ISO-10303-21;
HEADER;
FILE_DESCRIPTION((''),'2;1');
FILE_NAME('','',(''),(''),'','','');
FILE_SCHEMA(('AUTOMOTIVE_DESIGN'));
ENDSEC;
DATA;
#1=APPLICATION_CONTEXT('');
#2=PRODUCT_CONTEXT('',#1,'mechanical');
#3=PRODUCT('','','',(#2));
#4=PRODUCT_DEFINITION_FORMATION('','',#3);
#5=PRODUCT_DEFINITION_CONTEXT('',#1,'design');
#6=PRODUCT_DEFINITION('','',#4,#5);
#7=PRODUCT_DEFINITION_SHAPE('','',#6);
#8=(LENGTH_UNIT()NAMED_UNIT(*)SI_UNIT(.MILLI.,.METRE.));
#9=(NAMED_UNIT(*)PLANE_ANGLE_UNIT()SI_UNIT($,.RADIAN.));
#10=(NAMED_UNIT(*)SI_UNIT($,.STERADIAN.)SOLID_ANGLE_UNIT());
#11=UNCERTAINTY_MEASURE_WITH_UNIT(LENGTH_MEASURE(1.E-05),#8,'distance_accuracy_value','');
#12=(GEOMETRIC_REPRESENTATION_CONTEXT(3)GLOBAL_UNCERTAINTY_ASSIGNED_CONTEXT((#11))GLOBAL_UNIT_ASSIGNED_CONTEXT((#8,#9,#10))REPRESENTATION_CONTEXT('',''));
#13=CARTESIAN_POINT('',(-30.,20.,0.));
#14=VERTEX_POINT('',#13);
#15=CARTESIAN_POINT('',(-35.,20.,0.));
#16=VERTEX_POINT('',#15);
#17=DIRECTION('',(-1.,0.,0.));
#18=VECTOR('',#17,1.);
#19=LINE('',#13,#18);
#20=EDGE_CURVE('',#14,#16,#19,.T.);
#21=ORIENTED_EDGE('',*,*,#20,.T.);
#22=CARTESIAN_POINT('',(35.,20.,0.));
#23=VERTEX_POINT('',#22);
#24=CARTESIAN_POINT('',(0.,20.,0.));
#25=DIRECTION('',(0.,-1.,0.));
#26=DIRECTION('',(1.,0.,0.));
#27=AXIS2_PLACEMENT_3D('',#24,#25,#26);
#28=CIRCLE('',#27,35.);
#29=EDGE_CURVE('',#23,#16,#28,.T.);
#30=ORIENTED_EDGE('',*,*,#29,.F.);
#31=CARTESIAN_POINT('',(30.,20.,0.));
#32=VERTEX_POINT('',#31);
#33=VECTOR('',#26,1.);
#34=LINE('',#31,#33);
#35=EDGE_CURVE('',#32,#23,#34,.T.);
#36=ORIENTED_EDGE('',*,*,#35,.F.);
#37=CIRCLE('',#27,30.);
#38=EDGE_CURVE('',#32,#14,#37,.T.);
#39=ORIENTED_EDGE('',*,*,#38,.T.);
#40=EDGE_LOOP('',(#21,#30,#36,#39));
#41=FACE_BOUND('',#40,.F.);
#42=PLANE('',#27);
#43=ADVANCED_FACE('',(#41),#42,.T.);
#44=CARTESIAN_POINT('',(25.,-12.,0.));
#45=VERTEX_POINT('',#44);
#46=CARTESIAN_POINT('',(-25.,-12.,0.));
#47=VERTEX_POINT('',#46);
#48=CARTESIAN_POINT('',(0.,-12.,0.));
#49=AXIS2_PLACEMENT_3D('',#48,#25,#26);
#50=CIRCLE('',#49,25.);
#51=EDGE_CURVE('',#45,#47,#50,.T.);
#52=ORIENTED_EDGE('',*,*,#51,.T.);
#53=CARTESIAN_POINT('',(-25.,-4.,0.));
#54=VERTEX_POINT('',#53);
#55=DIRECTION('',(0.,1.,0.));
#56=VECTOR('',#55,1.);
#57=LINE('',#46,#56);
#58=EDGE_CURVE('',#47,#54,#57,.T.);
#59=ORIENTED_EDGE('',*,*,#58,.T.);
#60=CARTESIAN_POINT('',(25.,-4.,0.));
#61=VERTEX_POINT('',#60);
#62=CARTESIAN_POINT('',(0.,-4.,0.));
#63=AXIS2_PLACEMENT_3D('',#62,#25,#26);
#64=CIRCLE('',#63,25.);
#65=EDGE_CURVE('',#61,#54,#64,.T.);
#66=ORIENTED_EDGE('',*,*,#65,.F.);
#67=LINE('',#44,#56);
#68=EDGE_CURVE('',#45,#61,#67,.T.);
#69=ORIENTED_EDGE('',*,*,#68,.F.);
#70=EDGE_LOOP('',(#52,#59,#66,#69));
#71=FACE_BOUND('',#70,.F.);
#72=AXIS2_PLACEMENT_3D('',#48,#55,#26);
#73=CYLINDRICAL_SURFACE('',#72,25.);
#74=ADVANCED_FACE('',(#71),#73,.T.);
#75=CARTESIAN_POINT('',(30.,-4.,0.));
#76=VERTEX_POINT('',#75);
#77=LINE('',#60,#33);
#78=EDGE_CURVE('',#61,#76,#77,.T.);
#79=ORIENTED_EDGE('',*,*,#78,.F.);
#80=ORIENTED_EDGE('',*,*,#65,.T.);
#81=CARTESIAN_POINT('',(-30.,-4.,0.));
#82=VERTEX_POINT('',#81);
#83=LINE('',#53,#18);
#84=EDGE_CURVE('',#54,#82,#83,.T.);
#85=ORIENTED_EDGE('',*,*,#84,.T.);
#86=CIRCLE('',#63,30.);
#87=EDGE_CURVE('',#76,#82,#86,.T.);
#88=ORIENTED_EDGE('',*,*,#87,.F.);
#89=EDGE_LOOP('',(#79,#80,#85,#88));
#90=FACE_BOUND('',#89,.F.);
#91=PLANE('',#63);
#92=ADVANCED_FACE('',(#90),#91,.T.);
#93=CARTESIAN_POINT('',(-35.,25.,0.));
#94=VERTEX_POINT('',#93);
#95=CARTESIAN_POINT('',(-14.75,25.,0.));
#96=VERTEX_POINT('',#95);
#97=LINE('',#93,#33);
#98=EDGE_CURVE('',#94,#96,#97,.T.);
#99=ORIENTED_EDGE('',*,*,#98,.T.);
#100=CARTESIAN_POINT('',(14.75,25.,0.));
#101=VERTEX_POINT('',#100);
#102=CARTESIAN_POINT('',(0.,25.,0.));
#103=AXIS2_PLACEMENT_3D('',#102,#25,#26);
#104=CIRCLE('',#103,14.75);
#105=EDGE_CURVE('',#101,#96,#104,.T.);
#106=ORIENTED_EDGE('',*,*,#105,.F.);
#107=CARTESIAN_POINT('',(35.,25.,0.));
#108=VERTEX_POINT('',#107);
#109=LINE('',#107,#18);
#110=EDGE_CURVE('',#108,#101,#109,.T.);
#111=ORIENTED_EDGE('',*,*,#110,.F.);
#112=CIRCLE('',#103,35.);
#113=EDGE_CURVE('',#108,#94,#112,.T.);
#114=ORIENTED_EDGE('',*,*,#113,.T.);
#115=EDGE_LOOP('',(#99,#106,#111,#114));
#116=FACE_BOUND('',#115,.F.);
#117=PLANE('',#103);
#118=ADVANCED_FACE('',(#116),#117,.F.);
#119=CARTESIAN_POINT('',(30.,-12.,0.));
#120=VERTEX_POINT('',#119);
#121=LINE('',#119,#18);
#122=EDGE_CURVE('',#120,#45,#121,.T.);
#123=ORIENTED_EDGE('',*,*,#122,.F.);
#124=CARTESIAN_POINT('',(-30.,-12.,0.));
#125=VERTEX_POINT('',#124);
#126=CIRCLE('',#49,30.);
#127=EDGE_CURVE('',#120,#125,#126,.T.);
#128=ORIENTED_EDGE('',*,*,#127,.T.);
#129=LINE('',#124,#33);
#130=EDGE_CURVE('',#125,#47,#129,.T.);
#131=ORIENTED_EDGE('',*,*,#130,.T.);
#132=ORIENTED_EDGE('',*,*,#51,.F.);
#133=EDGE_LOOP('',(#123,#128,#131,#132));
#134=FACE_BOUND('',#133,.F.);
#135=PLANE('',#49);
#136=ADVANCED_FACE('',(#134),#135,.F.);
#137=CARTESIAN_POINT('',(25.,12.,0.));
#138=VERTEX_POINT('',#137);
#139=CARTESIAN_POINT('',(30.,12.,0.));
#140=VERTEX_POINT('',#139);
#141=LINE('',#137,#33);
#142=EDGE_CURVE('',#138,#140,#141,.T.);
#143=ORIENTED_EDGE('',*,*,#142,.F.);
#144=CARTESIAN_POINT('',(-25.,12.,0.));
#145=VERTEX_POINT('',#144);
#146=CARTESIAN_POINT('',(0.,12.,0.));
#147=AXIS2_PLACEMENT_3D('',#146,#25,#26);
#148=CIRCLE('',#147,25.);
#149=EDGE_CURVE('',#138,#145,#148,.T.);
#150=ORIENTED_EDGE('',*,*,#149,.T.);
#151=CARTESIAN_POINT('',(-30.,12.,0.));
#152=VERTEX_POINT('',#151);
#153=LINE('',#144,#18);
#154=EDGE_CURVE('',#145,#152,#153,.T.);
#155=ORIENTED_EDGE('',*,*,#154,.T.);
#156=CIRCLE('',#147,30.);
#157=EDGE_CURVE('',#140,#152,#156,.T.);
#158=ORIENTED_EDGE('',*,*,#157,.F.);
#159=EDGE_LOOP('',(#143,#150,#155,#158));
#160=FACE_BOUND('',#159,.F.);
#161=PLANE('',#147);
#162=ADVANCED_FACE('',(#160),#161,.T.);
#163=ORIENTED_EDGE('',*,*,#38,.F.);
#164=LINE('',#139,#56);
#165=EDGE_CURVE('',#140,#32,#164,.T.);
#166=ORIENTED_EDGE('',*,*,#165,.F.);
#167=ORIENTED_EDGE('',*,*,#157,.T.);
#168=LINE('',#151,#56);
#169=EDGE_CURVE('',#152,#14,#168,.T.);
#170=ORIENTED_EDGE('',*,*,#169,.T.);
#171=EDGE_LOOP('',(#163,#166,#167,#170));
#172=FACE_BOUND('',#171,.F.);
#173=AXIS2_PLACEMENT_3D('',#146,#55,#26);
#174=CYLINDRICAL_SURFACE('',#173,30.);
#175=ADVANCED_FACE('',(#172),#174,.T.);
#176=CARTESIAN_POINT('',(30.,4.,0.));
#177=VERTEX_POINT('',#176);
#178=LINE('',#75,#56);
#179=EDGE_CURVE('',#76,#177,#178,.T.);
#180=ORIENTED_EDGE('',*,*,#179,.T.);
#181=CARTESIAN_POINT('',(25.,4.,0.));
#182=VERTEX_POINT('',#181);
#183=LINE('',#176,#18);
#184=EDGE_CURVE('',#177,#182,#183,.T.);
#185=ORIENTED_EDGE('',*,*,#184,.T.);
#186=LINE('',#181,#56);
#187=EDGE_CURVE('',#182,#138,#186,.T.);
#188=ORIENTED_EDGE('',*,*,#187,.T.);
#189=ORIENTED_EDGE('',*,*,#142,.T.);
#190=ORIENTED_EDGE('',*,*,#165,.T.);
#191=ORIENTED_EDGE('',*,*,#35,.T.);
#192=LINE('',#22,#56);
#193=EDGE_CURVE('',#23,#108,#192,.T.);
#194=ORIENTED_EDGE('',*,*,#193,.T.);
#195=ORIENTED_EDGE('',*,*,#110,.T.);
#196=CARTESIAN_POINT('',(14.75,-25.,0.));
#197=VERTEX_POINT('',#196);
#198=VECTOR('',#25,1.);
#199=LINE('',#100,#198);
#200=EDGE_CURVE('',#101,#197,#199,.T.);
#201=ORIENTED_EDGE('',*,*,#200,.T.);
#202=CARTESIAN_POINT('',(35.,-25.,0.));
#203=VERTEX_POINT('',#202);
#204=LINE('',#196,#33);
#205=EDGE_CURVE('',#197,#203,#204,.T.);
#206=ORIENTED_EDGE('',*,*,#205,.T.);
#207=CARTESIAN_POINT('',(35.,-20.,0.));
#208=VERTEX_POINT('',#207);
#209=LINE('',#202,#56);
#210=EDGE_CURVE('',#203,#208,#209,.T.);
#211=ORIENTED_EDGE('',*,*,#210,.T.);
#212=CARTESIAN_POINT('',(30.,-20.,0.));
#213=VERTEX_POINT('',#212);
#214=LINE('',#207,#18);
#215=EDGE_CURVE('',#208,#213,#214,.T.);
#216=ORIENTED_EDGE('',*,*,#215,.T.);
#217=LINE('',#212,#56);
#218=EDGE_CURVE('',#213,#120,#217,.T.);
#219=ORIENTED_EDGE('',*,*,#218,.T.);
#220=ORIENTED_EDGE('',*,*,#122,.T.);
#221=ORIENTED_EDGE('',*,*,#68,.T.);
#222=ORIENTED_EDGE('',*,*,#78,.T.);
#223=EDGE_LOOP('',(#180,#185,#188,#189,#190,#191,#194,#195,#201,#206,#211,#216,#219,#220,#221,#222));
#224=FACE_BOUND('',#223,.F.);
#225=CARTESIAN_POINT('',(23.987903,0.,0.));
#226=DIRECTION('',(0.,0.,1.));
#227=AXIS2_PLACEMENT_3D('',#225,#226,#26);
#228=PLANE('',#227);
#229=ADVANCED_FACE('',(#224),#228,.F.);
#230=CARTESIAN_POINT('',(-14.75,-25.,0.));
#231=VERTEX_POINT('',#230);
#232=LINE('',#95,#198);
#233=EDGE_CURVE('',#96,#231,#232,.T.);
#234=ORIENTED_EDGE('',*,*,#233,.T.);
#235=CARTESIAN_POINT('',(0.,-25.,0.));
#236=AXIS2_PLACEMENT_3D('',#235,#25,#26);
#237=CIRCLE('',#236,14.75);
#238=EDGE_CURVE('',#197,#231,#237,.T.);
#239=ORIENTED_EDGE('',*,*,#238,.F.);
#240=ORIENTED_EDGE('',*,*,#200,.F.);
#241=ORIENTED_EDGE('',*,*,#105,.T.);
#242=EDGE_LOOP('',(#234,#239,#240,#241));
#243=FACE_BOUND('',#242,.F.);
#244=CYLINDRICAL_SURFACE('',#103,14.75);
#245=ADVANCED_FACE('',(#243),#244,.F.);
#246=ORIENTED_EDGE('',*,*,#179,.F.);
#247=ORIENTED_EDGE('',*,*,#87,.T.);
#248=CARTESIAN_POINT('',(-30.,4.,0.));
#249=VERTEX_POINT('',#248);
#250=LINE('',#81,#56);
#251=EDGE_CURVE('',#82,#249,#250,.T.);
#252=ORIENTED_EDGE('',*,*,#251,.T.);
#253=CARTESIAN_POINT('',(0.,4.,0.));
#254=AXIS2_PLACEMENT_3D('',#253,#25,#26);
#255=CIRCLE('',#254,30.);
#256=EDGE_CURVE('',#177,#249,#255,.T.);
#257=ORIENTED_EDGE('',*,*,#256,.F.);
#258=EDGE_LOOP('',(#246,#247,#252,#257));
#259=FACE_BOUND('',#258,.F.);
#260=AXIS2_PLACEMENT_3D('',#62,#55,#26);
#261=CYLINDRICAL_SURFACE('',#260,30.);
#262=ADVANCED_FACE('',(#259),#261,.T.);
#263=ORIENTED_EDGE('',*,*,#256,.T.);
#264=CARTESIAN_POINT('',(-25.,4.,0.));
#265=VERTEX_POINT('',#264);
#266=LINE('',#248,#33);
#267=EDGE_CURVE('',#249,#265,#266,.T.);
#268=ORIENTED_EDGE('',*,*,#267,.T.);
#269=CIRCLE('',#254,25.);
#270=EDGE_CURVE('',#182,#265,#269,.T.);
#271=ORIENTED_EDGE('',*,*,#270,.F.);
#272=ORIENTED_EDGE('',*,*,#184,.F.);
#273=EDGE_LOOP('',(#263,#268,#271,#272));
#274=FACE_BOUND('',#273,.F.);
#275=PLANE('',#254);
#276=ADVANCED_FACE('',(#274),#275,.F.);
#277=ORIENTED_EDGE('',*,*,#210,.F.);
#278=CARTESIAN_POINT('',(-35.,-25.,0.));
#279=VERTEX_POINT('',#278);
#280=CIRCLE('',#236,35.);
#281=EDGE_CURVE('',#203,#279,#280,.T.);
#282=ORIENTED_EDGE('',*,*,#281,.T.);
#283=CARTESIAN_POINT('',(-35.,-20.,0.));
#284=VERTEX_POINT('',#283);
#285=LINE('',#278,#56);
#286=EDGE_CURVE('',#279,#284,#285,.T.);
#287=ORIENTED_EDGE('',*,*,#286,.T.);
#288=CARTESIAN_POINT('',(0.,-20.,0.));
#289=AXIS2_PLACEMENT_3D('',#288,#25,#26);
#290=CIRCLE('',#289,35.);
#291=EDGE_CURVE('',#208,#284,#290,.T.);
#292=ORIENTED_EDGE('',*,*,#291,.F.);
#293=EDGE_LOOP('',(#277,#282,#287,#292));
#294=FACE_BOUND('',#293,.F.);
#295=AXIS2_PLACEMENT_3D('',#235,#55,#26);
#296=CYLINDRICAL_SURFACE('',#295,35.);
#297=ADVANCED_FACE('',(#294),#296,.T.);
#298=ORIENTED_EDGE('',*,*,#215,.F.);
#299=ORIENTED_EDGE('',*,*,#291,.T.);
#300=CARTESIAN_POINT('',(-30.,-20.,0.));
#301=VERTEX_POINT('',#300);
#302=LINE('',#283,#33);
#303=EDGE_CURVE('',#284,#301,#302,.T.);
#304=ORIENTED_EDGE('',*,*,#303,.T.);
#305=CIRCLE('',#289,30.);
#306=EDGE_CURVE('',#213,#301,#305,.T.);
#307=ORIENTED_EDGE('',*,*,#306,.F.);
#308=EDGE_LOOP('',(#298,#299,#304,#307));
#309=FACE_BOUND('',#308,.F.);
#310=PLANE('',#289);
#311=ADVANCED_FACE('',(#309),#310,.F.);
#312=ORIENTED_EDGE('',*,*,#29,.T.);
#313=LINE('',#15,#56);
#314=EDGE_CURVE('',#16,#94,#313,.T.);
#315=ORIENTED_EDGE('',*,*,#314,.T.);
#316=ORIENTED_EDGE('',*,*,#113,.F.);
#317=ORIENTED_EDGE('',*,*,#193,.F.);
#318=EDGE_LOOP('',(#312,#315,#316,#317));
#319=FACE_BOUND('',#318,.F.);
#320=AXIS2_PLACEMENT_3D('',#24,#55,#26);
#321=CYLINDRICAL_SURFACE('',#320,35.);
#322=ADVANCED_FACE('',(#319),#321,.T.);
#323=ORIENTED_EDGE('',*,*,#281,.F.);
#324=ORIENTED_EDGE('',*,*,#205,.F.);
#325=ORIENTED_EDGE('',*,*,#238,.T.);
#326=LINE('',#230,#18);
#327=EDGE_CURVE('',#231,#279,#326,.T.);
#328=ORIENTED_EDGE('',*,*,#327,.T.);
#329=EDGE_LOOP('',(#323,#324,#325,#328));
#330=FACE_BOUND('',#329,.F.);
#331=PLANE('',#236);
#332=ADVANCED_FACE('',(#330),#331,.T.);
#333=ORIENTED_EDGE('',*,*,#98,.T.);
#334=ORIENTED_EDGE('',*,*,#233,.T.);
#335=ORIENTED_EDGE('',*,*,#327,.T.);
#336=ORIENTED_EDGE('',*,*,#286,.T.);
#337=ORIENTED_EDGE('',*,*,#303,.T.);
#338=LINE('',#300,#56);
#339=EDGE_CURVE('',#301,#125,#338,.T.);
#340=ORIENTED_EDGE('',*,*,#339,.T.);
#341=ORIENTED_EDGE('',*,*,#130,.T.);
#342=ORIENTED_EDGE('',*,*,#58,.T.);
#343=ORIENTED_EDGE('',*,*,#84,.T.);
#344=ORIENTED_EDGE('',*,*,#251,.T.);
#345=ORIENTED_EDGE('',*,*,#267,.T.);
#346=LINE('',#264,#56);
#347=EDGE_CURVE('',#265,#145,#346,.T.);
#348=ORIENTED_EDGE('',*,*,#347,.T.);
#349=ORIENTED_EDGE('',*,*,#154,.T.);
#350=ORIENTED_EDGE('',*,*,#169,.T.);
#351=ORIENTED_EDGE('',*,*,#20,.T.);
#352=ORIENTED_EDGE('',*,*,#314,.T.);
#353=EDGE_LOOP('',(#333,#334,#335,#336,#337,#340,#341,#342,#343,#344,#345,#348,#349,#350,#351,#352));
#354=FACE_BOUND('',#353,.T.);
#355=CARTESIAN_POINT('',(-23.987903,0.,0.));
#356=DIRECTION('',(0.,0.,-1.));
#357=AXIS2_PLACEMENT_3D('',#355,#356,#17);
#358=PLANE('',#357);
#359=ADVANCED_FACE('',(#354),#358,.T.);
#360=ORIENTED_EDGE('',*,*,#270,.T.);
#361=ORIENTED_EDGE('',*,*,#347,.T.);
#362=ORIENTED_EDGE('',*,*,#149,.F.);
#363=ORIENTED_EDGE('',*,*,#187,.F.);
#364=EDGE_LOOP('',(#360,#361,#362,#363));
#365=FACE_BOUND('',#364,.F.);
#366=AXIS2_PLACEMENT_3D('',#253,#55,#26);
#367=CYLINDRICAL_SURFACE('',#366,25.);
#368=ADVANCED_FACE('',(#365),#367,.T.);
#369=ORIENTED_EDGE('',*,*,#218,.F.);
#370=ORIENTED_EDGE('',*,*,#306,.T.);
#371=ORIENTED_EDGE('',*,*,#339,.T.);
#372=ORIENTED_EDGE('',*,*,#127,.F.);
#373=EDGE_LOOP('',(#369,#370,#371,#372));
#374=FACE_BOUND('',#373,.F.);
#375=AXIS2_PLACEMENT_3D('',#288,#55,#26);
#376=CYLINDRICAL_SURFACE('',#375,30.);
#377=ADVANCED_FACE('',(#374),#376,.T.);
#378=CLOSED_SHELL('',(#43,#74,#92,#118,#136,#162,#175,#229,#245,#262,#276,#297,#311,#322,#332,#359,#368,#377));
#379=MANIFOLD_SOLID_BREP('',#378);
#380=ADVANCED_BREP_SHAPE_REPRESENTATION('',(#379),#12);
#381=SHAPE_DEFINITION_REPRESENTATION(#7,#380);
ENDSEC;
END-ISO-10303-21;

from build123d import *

# Parameters (mm, degrees)
F1_ANGLE = 180


with BuildPart() as f1:
    # F0 (on Top) → F1 (revolve)
    with BuildSketch(Plane.XY):
        Polygon((35, 25), (14.75, 25), (14.75, -25), (35, -25), (35, -20), (30, -20), (30, -12), (25, -12), (25, -4), (30, -4), (30, 4), (25, 4), (25, 12), (30, 12), (30, 20), (35, 20), align=None)
    revolve(axis=Axis((0, -16.740087, 0), (0, -1, 0)), revolution_arc=F1_ANGLE)


solid = f1.part
